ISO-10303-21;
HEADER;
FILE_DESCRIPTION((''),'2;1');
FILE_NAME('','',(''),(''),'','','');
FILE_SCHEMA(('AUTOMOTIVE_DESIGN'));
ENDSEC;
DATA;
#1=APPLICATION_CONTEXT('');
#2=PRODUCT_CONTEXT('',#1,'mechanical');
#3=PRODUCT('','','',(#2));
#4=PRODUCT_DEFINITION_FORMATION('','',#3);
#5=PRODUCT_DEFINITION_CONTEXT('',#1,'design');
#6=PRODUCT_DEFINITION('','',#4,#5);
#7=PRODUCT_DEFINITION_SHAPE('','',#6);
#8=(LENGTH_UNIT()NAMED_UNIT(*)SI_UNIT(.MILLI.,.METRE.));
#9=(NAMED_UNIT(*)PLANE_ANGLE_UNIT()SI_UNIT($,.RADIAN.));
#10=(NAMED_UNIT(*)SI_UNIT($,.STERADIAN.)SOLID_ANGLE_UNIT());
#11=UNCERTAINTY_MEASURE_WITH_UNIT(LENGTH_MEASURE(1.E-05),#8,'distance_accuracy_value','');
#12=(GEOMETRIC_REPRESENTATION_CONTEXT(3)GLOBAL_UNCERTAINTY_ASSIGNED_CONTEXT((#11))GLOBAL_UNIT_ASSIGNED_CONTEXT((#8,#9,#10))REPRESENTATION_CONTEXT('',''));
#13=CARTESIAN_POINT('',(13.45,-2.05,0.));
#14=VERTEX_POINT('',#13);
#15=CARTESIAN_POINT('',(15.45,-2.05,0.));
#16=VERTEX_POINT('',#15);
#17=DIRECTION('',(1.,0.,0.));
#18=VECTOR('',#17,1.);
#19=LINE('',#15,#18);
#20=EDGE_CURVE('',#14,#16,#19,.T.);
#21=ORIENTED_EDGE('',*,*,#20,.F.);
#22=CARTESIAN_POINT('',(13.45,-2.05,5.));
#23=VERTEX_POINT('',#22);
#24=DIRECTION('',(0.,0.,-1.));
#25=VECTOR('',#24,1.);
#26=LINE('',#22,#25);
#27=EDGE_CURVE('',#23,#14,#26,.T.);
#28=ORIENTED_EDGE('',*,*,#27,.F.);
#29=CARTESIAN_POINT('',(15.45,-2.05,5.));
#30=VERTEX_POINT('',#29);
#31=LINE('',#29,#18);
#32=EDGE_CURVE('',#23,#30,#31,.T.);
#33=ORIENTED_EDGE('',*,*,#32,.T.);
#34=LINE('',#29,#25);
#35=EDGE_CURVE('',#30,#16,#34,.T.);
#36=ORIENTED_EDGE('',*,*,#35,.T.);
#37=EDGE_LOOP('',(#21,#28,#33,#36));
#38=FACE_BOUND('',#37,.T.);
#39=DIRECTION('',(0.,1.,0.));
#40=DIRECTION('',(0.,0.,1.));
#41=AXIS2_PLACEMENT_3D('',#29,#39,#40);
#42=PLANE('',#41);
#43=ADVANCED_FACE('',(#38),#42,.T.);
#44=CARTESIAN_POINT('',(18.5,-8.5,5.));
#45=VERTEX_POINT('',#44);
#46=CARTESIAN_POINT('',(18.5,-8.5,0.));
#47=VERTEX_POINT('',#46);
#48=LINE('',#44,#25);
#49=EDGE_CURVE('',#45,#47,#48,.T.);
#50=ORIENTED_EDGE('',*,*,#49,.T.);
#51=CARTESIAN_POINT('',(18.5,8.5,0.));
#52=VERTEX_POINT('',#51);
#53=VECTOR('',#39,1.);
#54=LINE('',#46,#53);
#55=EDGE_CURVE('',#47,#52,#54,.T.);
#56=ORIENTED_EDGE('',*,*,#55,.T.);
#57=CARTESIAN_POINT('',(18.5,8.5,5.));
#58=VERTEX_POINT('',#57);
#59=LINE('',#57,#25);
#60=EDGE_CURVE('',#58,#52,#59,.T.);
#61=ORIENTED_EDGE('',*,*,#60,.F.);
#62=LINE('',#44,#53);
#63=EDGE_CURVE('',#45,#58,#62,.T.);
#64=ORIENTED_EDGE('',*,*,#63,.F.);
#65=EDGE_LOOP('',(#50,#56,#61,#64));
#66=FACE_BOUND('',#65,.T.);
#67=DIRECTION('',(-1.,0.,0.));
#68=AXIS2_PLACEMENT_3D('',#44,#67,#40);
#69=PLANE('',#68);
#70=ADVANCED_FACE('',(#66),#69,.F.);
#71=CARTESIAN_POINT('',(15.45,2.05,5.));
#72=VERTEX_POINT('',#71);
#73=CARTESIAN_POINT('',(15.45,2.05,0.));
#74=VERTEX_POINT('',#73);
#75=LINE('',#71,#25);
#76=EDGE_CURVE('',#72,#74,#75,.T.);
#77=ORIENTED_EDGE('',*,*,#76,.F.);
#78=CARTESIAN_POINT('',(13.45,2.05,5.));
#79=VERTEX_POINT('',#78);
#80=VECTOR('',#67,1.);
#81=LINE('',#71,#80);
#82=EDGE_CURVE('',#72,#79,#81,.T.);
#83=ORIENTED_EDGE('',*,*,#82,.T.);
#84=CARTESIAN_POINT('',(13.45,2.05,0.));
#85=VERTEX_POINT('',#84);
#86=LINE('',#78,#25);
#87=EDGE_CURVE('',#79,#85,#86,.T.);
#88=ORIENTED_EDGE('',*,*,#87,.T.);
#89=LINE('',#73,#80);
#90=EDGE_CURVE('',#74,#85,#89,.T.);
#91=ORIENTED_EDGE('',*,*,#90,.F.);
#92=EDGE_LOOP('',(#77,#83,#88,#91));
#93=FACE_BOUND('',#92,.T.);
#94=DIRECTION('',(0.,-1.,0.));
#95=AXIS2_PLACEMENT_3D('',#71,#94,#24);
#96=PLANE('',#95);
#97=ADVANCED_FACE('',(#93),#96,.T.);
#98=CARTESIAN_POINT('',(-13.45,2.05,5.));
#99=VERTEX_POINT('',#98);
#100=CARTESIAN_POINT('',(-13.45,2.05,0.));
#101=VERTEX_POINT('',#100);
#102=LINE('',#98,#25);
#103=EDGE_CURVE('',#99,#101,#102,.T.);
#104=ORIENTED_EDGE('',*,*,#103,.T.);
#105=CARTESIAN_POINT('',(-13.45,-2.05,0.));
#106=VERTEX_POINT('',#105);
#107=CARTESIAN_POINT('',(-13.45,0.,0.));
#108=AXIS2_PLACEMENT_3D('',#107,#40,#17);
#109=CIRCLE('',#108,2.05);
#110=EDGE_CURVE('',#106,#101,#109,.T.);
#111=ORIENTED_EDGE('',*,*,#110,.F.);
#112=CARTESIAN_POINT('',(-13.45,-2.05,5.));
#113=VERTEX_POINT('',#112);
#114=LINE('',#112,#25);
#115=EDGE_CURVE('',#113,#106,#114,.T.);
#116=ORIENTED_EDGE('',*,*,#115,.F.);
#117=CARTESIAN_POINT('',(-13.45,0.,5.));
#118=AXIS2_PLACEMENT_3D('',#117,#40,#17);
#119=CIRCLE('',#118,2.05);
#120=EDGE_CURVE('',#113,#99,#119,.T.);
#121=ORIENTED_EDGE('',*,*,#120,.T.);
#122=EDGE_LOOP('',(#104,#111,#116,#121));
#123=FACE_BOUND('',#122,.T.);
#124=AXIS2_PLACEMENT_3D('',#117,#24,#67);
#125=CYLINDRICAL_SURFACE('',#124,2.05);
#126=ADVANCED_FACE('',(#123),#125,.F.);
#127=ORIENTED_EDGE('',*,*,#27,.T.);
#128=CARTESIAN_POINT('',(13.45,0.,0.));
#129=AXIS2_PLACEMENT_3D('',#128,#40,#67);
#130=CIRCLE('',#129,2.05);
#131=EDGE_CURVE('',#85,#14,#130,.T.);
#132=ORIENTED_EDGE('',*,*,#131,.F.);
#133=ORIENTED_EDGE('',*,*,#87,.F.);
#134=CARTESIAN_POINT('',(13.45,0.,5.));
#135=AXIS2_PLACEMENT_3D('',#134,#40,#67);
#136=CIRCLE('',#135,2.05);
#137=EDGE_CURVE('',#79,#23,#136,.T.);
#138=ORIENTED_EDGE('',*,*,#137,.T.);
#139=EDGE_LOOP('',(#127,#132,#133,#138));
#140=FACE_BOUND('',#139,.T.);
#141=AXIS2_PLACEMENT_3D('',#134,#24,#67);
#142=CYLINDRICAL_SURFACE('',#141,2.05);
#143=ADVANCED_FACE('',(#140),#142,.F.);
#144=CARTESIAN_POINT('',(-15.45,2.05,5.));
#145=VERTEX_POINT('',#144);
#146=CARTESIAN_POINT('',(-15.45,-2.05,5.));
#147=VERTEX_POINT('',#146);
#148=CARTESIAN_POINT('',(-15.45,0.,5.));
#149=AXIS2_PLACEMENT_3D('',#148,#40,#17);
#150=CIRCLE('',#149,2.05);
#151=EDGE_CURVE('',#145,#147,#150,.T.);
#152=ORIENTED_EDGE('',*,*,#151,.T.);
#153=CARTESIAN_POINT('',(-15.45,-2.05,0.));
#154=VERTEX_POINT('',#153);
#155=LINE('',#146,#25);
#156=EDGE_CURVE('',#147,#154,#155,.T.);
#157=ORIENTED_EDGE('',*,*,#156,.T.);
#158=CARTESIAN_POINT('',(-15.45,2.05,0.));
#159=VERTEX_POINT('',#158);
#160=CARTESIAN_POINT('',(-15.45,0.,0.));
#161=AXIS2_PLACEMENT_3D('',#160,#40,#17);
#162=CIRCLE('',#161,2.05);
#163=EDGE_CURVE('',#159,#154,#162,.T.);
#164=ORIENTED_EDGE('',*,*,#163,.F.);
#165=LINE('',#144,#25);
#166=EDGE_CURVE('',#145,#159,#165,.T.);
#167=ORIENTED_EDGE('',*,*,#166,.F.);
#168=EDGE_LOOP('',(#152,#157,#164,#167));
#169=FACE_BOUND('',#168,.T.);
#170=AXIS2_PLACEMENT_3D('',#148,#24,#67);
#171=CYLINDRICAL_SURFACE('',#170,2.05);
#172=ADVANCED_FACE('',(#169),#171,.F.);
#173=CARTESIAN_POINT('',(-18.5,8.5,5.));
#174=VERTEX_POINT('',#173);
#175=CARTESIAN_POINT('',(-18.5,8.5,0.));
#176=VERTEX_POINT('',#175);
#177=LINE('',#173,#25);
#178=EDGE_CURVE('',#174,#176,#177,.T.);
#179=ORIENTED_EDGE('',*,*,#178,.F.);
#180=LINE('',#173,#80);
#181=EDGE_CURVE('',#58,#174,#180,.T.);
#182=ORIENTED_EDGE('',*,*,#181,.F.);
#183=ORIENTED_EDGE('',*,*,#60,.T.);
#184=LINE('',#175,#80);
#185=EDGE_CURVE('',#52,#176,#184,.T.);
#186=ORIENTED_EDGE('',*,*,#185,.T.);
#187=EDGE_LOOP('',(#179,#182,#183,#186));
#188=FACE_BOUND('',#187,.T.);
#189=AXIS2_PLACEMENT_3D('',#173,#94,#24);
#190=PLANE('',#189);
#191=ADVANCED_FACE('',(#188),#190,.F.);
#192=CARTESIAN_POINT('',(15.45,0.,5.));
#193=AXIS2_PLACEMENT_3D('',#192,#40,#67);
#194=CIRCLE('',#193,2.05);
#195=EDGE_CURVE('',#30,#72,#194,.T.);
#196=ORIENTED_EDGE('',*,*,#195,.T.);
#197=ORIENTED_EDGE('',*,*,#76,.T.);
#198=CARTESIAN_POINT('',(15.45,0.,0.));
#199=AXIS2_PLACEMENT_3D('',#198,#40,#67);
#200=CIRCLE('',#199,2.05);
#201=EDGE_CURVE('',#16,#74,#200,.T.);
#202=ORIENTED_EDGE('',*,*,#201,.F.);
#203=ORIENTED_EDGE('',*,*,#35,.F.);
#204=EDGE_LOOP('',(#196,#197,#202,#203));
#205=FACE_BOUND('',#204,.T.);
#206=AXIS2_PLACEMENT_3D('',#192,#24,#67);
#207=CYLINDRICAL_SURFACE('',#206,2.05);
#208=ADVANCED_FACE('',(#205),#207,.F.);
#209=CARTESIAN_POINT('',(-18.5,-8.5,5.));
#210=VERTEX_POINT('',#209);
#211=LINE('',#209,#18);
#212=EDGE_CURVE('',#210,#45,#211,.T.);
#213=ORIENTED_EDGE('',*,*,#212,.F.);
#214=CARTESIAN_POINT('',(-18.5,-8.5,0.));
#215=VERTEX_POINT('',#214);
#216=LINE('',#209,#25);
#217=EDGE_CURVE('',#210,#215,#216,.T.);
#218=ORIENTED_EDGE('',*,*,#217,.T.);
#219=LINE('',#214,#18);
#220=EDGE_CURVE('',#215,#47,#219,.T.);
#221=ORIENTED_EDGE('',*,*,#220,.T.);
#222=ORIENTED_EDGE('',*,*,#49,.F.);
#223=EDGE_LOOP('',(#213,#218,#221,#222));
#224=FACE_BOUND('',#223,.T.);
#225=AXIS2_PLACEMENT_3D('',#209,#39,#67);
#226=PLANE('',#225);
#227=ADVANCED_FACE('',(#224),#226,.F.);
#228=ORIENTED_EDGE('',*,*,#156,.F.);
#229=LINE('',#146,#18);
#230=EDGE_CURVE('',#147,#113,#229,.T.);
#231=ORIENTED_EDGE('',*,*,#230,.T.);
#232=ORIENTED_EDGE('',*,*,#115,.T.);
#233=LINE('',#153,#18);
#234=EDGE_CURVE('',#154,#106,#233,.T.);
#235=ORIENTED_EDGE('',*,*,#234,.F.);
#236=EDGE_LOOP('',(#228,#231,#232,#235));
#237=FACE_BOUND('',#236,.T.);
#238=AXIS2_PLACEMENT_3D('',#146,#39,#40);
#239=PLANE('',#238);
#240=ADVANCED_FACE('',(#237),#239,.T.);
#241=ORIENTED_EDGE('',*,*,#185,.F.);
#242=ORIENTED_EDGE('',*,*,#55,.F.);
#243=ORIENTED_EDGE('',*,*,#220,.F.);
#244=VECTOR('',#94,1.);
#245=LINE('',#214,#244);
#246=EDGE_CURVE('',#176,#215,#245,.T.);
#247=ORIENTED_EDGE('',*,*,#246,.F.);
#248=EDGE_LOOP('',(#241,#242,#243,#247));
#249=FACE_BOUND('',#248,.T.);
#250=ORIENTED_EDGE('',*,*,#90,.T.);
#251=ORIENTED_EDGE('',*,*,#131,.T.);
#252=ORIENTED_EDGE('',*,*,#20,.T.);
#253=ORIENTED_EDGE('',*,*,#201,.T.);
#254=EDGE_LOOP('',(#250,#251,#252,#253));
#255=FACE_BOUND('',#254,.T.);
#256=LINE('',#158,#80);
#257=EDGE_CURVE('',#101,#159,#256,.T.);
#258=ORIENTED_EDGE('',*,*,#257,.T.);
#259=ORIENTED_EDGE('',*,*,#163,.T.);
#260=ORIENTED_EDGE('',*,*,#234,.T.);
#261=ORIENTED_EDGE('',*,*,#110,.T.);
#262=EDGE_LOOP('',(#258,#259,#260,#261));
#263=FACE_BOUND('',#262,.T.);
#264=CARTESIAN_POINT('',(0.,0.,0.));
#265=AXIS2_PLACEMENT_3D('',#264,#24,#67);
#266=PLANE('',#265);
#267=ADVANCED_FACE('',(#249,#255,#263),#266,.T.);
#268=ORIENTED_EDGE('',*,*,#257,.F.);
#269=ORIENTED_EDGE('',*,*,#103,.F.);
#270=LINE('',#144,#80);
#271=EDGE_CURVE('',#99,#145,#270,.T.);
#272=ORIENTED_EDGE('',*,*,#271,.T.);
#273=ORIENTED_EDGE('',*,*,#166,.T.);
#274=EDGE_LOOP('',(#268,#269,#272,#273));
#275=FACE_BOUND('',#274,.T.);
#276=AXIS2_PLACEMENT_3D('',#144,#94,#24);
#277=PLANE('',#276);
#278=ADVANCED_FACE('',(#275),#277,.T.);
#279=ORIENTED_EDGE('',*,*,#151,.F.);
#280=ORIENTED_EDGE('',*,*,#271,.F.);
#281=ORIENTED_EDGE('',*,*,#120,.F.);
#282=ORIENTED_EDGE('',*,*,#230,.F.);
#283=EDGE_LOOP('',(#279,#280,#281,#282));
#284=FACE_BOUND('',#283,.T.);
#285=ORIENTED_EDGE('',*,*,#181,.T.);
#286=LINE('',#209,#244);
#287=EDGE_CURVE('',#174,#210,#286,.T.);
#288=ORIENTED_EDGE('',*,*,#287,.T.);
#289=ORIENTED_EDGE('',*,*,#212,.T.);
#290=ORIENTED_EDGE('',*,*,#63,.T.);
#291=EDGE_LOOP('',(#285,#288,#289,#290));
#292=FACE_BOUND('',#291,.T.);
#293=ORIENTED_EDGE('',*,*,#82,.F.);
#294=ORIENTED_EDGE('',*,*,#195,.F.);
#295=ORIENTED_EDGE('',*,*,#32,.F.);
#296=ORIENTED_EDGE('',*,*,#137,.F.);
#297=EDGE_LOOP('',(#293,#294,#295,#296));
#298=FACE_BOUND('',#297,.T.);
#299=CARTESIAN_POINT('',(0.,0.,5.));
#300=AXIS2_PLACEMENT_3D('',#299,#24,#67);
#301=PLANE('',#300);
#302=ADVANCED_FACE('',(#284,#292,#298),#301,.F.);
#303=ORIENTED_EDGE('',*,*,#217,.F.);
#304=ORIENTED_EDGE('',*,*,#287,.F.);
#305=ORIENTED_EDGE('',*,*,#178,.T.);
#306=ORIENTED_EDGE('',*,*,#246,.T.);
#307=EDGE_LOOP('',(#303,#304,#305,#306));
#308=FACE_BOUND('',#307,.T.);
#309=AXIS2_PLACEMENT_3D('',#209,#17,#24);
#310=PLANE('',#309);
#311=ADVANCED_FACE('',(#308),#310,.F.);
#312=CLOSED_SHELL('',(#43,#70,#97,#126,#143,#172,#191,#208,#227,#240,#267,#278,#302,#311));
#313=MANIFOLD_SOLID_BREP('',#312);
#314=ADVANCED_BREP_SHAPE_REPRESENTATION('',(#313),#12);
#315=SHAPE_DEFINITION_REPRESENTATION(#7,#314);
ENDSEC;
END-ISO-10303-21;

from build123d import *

# Parameters (mm, degrees)
SKETCH1_W           = 37
SKETCH1_H           = 17
BOSS_EXTRUDE1_DEPTH = 5


with BuildPart() as part:
    # Sketch1 → Boss-Extrude1 (new body)
    with BuildSketch(Plane.XY):
        Rectangle(SKETCH1_W, SKETCH1_H)
        with BuildLine():
            Line((-15.45, 2.05), (-13.45, 2.05))
            ThreePointArc((-13.45, 2.05), (-11.4, 0), (-13.45, -2.05))
            Line((-13.45, -2.05), (-15.45, -2.05))
            ThreePointArc((-15.45, -2.05), (-17.5, 0), (-15.45, 2.05))
        make_face(mode=Mode.SUBTRACT)
        with BuildLine():
            Line((15.45, 2.05), (13.45, 2.05))
            ThreePointArc((13.45, 2.05), (11.4, 0), (13.45, -2.05))
            Line((13.45, -2.05), (15.45, -2.05))
            ThreePointArc((15.45, -2.05), (17.5, 0), (15.45, 2.05))
        make_face(mode=Mode.SUBTRACT)
    extrude(amount=BOSS_EXTRUDE1_DEPTH)


solid = part.part
